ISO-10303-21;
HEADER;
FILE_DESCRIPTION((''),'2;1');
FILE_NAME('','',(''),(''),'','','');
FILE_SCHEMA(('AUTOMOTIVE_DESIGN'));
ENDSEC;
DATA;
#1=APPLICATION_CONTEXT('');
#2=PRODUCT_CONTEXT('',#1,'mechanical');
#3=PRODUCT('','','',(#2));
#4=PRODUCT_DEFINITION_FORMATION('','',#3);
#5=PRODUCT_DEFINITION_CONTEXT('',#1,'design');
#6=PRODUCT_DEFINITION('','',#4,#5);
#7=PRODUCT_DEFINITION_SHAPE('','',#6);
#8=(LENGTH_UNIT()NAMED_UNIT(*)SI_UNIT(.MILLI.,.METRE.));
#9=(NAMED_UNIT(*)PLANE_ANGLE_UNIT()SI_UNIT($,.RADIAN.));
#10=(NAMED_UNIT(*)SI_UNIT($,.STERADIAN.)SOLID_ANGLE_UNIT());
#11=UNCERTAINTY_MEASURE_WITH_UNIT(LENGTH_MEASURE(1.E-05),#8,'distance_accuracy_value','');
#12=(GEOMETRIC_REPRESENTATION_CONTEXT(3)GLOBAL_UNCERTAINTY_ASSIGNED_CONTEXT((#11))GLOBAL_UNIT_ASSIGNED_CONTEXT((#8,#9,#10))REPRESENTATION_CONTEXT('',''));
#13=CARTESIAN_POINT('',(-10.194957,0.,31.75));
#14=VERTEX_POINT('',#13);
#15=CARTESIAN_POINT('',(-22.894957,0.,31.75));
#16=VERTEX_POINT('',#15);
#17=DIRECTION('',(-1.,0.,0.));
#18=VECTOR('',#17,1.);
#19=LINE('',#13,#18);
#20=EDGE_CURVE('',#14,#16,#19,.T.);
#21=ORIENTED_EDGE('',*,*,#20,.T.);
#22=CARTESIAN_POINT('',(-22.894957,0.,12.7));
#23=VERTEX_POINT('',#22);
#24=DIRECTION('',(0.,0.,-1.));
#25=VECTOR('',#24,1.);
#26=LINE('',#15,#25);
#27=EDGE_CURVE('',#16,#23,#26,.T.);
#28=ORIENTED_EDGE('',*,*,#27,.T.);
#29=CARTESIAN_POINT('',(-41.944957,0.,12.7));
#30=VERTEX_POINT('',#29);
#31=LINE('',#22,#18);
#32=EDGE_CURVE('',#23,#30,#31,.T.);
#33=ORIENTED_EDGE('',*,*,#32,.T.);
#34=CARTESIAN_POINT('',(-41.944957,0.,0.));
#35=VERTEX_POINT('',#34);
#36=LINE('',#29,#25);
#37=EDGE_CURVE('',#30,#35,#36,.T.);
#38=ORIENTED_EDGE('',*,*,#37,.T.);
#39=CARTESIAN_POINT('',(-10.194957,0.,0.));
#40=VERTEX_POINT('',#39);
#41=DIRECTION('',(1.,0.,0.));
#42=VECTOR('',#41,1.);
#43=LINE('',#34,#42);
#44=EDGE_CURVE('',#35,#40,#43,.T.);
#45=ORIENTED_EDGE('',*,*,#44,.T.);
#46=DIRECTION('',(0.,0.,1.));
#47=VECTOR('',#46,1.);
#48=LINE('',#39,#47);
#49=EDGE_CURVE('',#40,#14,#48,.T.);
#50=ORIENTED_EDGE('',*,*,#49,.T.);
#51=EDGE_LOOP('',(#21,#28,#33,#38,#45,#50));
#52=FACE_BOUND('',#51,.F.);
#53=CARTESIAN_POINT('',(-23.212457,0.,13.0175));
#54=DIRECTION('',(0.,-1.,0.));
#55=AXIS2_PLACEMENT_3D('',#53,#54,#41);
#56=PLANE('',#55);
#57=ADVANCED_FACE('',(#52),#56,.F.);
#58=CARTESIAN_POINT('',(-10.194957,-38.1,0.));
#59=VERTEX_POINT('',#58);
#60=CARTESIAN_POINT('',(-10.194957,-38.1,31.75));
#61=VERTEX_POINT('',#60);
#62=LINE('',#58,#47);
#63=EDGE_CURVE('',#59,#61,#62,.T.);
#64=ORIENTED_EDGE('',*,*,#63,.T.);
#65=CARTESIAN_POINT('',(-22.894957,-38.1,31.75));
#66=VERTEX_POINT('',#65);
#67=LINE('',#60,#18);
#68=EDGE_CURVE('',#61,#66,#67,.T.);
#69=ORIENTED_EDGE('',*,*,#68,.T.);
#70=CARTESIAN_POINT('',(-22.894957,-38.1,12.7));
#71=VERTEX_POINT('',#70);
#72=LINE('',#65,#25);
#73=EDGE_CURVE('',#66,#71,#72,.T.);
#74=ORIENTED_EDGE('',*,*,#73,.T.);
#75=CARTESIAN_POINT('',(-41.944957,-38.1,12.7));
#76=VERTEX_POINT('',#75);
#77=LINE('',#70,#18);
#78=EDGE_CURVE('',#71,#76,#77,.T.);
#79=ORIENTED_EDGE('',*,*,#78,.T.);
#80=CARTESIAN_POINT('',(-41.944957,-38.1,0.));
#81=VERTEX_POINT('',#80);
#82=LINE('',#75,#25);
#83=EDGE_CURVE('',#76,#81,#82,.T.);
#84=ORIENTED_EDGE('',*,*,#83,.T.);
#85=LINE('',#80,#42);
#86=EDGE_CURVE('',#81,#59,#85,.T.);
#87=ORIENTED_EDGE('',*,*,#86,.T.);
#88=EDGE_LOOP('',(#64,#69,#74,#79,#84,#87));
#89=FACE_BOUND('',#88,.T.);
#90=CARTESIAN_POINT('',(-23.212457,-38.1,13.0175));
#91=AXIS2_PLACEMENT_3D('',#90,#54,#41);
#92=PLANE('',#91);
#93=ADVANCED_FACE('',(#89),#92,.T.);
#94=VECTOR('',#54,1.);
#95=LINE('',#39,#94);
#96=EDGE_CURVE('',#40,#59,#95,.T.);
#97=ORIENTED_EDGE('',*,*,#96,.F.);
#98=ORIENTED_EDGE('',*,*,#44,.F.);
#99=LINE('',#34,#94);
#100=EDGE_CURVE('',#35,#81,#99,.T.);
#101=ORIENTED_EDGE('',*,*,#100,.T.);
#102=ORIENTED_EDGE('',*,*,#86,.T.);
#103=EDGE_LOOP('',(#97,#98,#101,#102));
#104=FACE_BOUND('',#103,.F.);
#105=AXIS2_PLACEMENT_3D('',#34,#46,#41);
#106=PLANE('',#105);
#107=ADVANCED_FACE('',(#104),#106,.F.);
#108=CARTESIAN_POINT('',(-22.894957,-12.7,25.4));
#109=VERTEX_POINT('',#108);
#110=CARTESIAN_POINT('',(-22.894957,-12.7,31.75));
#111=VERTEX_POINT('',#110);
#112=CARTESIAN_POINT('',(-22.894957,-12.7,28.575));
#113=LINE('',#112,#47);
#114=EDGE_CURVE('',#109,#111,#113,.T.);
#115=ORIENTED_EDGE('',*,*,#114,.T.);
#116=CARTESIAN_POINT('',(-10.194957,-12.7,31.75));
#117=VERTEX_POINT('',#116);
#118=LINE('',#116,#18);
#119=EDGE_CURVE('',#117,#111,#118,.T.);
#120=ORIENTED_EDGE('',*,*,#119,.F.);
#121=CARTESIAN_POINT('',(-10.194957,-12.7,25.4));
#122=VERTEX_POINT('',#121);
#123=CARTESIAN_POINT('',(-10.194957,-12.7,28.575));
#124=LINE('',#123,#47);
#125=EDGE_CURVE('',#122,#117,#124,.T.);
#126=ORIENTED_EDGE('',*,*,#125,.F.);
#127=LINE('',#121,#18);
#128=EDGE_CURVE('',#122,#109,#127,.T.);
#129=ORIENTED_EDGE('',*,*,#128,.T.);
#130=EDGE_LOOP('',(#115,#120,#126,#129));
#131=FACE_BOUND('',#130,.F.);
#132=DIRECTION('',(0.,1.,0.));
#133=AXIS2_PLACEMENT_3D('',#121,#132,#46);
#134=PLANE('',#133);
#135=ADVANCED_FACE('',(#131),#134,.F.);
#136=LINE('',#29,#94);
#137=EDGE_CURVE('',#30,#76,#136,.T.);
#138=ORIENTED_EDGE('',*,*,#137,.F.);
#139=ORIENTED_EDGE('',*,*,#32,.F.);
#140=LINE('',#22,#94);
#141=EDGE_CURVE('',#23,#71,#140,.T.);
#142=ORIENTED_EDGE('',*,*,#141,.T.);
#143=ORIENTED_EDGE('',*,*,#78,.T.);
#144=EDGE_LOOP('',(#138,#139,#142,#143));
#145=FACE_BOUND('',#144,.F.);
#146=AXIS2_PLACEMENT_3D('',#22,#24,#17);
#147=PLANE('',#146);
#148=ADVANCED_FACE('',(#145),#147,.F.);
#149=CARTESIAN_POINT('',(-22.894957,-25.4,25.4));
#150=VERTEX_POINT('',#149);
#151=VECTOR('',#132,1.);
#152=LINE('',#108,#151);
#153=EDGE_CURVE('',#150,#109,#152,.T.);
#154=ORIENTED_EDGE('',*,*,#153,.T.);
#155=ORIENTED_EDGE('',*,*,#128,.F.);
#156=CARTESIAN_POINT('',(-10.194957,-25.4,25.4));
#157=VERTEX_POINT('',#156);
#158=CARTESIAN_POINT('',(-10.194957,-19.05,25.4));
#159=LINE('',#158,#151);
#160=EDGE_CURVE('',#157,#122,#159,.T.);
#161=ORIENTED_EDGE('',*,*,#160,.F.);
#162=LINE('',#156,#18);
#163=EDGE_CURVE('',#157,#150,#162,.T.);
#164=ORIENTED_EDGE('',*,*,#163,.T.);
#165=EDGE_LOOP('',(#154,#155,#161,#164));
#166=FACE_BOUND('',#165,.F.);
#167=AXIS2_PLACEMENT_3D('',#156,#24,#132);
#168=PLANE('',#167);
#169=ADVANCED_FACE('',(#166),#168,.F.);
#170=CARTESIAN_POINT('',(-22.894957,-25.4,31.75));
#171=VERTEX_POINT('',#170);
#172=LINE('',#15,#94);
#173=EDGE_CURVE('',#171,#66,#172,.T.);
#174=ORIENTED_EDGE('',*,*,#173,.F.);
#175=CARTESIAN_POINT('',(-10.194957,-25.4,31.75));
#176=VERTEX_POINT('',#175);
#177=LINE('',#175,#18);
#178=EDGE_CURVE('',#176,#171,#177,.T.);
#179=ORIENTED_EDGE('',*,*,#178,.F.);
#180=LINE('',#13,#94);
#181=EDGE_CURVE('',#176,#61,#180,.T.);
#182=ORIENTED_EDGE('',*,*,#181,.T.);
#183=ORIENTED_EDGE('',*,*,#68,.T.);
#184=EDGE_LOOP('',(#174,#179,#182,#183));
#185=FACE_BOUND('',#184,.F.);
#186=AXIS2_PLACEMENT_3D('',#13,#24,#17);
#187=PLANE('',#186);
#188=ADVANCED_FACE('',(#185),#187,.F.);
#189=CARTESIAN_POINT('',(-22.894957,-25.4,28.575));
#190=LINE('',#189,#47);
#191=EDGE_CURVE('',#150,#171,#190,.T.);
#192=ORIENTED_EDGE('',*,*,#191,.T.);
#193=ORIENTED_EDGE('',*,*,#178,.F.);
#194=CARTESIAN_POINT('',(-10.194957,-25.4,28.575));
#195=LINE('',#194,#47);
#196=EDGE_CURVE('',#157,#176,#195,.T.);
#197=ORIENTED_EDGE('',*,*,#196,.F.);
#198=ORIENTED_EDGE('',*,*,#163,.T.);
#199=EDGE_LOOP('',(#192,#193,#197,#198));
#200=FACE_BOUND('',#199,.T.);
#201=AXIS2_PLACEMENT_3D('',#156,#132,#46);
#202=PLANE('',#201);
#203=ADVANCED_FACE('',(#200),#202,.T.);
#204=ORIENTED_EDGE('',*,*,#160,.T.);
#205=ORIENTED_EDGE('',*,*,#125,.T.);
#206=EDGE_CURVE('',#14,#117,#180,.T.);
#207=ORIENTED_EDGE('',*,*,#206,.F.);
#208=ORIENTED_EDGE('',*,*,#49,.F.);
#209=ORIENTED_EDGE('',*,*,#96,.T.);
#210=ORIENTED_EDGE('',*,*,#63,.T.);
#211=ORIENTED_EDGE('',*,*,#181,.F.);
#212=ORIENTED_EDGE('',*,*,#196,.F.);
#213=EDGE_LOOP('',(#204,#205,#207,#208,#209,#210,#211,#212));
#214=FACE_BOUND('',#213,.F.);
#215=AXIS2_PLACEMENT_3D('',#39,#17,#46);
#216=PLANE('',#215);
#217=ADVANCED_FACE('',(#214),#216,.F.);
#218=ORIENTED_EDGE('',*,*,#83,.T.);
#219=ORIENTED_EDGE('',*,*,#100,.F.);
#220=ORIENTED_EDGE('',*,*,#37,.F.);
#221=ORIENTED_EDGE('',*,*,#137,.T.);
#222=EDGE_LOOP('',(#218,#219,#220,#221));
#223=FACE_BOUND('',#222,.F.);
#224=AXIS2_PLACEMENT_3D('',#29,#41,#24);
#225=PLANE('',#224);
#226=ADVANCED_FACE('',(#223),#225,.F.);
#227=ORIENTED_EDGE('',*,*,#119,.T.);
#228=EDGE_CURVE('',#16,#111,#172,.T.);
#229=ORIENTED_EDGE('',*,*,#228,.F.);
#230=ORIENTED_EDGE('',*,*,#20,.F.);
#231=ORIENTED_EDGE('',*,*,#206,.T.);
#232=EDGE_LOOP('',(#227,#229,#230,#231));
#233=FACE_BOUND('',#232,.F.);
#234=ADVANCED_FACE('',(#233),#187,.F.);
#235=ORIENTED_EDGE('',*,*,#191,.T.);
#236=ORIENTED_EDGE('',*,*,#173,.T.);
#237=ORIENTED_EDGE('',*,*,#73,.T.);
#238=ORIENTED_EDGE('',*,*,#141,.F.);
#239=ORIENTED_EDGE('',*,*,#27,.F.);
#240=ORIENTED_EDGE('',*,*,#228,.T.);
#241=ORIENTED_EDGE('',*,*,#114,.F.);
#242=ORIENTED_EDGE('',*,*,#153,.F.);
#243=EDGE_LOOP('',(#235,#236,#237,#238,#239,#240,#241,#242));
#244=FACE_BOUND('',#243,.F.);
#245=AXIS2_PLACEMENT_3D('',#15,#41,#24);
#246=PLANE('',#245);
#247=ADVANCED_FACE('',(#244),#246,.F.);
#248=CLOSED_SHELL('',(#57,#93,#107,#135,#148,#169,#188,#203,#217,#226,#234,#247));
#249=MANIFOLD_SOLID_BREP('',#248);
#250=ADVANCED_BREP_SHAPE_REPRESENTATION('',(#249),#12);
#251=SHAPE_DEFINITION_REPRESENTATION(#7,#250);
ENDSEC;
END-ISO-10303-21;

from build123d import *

# Parameters (mm, degrees)
F1_DEPTH = 38.1
F2_W     = 12.7
F2_H     = 6.35
F3_DEPTH = 25.4


with BuildPart() as f1:
    # F0 (on Front) → F1 (new body)
    with BuildSketch(Plane.XZ):
        Polygon((-41.944957, 12.7), (-41.944957, 0), (-10.194957, 0), (-10.194957, 31.75), (-22.894957, 31.75), (-22.894957, 12.7), align=None)
    extrude(amount=F1_DEPTH)

    # F2 (on face) → F3 (cut)
    with BuildSketch(Plane.YZ.offset(-10.194957)):
        with Locations((-19.05, 28.575)):
            Rectangle(F2_W, F2_H)
    extrude(amount=-F3_DEPTH, mode=Mode.SUBTRACT)


solid = f1.part
